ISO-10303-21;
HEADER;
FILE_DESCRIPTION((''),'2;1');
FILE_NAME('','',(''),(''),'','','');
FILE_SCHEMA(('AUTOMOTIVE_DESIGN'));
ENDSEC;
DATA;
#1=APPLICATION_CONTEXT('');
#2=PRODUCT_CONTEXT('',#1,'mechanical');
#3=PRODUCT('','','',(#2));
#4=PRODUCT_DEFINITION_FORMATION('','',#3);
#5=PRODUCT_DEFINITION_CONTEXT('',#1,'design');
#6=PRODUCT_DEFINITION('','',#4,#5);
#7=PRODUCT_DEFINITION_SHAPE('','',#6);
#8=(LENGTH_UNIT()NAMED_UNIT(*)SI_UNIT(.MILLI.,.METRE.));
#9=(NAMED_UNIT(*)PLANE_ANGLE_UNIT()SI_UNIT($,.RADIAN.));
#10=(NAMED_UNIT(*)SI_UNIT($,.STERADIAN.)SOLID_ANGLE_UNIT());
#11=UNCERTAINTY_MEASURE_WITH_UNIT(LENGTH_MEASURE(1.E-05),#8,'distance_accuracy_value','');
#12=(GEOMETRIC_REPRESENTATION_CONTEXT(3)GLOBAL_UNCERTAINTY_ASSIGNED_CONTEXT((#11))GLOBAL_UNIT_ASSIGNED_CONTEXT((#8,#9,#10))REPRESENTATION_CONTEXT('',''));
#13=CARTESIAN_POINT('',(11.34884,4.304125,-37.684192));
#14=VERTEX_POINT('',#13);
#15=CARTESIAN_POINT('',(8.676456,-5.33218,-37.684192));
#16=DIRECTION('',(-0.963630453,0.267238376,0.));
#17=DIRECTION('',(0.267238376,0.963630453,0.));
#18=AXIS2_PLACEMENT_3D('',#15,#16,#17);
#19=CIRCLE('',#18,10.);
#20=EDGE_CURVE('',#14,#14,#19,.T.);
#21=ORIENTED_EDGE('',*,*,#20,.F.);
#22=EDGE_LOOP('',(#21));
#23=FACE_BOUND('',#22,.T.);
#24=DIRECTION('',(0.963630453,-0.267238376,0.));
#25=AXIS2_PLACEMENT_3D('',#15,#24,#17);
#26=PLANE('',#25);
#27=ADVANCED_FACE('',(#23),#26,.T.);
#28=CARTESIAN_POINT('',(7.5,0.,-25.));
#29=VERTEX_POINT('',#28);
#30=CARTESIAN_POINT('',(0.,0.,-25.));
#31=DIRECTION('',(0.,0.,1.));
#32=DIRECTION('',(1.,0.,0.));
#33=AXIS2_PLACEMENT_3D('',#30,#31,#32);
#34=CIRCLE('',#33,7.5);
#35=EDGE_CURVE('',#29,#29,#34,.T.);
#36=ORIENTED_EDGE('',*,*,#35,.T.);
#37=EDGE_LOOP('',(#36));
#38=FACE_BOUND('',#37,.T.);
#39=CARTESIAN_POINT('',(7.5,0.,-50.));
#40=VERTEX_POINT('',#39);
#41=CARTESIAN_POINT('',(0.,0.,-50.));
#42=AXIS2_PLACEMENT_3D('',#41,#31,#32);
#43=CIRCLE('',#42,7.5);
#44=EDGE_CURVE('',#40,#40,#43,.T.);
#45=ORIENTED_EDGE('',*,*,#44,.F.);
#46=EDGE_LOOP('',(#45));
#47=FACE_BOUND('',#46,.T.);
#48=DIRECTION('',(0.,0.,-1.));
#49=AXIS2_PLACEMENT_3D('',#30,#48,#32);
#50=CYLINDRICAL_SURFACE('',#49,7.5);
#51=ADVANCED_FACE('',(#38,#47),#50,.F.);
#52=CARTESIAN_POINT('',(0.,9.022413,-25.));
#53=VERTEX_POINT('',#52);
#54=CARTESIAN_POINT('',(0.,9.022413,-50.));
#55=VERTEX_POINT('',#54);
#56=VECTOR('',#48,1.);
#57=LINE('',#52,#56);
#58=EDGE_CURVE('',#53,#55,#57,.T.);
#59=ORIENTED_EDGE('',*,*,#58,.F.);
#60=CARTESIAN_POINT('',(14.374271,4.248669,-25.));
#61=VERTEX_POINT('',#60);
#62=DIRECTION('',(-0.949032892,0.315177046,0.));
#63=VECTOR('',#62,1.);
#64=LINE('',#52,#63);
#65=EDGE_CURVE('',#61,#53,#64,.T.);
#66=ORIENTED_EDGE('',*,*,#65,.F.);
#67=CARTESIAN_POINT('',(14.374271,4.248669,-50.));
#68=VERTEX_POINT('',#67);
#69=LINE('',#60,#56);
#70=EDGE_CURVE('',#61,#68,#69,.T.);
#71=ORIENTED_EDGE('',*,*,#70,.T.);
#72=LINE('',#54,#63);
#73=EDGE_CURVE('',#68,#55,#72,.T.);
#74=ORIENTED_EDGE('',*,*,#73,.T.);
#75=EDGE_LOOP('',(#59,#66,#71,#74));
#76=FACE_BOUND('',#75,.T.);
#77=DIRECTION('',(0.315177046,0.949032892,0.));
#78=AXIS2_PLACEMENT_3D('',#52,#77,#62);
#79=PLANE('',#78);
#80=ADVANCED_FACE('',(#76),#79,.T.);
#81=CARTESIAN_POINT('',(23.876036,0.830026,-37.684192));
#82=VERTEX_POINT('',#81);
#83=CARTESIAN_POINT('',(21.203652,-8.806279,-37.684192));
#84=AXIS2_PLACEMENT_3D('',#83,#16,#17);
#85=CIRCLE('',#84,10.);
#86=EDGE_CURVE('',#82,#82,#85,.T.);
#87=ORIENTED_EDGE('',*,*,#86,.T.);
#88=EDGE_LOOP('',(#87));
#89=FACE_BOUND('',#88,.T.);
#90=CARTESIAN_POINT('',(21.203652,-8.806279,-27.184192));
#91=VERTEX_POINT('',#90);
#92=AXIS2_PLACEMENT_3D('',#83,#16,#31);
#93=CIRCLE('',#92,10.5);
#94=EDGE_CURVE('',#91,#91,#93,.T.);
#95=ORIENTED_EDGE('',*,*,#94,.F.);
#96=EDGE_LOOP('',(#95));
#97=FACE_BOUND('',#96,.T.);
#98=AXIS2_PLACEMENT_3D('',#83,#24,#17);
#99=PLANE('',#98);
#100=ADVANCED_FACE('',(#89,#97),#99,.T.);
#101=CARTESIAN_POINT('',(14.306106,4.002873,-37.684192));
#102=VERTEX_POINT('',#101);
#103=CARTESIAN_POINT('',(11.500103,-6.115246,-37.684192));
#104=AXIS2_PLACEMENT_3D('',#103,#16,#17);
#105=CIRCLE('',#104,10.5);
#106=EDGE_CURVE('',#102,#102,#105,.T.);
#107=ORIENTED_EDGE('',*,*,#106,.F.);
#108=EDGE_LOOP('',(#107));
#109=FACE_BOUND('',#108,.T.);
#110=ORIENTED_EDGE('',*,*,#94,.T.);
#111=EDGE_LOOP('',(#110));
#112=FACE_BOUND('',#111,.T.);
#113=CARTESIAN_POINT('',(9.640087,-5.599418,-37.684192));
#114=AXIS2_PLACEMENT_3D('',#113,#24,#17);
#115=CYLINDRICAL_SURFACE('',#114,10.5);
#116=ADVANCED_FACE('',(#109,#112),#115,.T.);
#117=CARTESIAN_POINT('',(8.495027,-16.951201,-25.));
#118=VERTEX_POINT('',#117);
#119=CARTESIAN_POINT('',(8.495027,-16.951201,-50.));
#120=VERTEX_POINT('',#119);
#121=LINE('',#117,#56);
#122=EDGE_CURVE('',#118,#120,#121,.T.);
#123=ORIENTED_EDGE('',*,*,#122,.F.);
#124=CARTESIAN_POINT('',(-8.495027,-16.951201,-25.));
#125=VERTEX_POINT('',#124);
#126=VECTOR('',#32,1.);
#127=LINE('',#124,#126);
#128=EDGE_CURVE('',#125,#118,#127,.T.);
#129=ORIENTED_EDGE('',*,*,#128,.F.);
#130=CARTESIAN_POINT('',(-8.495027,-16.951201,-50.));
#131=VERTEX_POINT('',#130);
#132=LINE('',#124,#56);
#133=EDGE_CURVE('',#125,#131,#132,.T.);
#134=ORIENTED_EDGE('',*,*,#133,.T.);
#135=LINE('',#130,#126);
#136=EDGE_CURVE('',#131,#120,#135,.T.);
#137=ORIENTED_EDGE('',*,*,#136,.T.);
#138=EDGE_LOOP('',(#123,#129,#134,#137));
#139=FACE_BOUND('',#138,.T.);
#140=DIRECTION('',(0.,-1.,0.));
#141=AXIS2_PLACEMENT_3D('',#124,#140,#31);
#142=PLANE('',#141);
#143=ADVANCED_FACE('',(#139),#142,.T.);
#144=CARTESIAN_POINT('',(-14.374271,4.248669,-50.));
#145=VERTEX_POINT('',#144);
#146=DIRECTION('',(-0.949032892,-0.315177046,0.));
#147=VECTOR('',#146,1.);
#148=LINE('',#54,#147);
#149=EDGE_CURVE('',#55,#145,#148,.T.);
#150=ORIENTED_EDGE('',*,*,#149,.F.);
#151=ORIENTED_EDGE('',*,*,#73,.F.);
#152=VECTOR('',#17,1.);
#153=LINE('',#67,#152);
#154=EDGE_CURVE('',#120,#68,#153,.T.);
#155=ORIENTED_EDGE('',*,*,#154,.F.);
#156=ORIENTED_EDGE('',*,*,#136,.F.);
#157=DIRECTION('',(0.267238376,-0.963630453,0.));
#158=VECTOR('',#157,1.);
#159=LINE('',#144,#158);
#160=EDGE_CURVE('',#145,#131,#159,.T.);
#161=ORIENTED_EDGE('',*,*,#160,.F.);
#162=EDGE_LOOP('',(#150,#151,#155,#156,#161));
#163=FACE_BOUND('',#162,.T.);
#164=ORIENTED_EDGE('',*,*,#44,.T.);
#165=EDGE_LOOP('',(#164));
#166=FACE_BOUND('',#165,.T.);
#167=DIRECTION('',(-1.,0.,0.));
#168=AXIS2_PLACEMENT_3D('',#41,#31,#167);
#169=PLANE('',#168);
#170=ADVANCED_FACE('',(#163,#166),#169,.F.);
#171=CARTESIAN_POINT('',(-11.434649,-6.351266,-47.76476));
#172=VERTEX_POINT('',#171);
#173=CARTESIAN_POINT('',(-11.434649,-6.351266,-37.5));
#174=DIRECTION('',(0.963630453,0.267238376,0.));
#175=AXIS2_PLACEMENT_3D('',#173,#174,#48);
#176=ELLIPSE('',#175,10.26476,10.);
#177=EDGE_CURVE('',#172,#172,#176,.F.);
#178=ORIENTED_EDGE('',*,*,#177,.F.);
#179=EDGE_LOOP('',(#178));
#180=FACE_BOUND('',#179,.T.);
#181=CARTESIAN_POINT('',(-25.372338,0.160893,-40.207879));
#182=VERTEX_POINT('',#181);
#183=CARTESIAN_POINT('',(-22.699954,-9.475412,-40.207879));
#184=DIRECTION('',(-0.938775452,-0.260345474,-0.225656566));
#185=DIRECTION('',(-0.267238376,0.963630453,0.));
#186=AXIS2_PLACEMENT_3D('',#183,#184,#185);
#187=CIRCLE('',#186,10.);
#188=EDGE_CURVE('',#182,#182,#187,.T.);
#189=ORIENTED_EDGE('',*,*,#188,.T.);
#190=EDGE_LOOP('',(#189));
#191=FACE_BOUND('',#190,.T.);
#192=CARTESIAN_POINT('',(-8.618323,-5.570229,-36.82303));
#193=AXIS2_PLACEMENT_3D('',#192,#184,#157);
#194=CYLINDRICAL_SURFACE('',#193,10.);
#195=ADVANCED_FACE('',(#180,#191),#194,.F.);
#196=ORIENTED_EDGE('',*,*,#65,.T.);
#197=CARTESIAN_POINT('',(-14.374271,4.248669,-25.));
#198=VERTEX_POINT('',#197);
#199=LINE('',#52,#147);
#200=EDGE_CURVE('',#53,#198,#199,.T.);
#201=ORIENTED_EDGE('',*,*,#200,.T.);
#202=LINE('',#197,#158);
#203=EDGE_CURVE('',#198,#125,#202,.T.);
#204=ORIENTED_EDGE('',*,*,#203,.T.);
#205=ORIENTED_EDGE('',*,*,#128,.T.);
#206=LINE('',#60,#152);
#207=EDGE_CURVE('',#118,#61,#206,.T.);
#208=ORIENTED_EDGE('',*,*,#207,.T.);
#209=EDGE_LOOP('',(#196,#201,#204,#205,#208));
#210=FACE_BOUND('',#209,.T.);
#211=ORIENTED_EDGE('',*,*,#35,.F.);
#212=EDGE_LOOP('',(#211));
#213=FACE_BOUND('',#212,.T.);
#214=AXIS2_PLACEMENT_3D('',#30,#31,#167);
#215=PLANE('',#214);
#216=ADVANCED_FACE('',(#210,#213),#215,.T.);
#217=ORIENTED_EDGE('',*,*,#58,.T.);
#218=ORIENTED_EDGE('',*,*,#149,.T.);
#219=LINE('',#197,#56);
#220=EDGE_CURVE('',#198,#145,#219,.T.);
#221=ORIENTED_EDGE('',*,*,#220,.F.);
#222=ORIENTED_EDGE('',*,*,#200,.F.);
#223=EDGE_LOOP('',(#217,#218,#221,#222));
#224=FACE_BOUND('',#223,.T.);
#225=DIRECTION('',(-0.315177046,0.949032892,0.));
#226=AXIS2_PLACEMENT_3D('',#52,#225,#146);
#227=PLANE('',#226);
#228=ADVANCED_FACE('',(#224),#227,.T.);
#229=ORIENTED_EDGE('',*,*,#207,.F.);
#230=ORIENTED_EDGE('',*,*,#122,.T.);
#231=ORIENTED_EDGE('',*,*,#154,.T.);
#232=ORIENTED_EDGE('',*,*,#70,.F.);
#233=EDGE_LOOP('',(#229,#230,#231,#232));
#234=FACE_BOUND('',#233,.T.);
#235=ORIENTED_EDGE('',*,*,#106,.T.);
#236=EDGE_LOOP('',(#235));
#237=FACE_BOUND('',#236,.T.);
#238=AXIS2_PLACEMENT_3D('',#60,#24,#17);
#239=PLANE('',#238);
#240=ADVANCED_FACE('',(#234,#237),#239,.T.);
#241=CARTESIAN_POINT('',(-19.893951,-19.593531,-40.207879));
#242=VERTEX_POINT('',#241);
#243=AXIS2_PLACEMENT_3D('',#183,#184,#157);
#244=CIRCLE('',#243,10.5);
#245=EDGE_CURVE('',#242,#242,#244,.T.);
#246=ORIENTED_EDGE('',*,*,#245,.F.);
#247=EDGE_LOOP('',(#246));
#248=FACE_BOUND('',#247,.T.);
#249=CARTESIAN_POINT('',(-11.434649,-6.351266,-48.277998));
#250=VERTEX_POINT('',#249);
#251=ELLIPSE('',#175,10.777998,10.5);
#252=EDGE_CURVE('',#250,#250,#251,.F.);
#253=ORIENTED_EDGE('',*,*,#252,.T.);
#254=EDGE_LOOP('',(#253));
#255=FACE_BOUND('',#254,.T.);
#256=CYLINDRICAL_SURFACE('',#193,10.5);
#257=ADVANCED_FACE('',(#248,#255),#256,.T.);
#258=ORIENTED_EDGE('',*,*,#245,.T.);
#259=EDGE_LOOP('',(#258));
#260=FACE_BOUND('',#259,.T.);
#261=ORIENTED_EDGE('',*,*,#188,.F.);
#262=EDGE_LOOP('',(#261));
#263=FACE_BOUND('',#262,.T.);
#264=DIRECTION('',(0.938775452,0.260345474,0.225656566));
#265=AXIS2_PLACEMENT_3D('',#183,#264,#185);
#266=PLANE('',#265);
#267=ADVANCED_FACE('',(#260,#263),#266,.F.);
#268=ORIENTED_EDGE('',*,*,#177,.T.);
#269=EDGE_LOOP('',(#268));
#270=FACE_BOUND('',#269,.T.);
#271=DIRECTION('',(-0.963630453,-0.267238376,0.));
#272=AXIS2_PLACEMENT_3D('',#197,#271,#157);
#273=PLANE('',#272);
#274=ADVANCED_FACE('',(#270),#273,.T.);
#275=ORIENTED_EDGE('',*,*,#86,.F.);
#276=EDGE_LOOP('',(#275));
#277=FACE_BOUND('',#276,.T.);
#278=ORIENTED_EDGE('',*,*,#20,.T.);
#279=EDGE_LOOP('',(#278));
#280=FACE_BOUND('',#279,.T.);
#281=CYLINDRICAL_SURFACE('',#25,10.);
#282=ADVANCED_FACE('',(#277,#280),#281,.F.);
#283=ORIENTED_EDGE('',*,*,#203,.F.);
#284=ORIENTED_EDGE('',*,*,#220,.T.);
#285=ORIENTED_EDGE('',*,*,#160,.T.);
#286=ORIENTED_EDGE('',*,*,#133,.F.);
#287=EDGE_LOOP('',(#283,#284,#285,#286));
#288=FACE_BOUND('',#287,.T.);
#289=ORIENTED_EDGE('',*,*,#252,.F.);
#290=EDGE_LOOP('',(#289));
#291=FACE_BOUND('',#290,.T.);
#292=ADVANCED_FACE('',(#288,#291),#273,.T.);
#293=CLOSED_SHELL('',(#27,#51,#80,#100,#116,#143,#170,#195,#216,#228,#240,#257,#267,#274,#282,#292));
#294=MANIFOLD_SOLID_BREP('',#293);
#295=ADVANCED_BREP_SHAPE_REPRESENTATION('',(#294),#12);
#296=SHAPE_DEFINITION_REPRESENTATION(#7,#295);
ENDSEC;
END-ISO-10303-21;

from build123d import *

# Parameters (mm, degrees)
SKETCH2_R                = 7.5
BOSS_EXTRUDE1_DEPTH      = 25
SKETCH14_R               = 10.5
SKETCH14_R_2             = 10
EXTRUDE_THIN3_DEPTH      = 3
EXTRUDE_THIN3_DEPTH_BACK = 12
SKETCH8_R                = 10
CUT_EXTRUDE4_DEPTH       = 13
SKETCH12_R               = 10.5
SKETCH12_R_2             = 10
EXTRUDE_THIN2_DEPTH      = 12


with BuildPart() as part:
    # Sketch2 → Boss-Extrude1 (new body)
    with BuildSketch(Plane.XY):
        Polygon((0, 9.022413356), (-14.374271139, 4.248669099), (-8.495026865, -16.951200871), (8.495026865, -16.951200871), (14.374271139, 4.248669099), align=None)
        Circle(SKETCH2_R, mode=Mode.SUBTRACT)
    extrude(amount=-BOSS_EXTRUDE1_DEPTH)

    # Sketch14 → Extrude-Thin3 (add, two sides)
    with BuildSketch(Plane(origin=(-8.98162527, -2.490825133, 2.158943025), x_dir=(0.267238376, -0.963630453, 0), z_dir=(0.938775452, 0.260345474, -0.225656566))) as extrude_thin3_sk:
        with Locations((3.064496194, 15.047052931)):
            Circle(SKETCH14_R)
        with Locations((3.064496194, 15.047052931)):
            Circle(SKETCH14_R_2, mode=Mode.SUBTRACT)
    extrude(amount=EXTRUDE_THIN3_DEPTH)
    extrude(extrude_thin3_sk.sketch, amount=-EXTRUDE_THIN3_DEPTH_BACK)

    # Sketch8 → Cut-Extrude4 (cut)
    with BuildSketch(Plane(origin=(21.957149201, -6.089256391, 0), x_dir=(0, 0, -1), z_dir=(0.963630453, -0.267238376, 0))):
        with Locations((12.31580825, -2.819568794)):
            Circle(SKETCH8_R)
    extrude(amount=-CUT_EXTRUDE4_DEPTH, mode=Mode.SUBTRACT)

    # Sketch12 → Extrude-Thin2 (add)
    with BuildSketch(Plane(origin=(21.957149201, -6.089256391, 0), x_dir=(0, 0, -1), z_dir=(0.963630453, -0.267238376, 0))):
        with Locations((12.31580825, -2.819568794)):
            Circle(SKETCH12_R)
        with Locations((12.31580825, -2.819568794)):
            Circle(SKETCH12_R_2, mode=Mode.SUBTRACT)
    extrude(amount=-EXTRUDE_THIN2_DEPTH)


with BuildPart() as body_2:
    # Mirror1: mirrored copy
    add(part.part.mirror(Plane(origin=(0, 0, -25), x_dir=(1, 0, 0), z_dir=(0, 0, -1))))


solid = body_2.part
